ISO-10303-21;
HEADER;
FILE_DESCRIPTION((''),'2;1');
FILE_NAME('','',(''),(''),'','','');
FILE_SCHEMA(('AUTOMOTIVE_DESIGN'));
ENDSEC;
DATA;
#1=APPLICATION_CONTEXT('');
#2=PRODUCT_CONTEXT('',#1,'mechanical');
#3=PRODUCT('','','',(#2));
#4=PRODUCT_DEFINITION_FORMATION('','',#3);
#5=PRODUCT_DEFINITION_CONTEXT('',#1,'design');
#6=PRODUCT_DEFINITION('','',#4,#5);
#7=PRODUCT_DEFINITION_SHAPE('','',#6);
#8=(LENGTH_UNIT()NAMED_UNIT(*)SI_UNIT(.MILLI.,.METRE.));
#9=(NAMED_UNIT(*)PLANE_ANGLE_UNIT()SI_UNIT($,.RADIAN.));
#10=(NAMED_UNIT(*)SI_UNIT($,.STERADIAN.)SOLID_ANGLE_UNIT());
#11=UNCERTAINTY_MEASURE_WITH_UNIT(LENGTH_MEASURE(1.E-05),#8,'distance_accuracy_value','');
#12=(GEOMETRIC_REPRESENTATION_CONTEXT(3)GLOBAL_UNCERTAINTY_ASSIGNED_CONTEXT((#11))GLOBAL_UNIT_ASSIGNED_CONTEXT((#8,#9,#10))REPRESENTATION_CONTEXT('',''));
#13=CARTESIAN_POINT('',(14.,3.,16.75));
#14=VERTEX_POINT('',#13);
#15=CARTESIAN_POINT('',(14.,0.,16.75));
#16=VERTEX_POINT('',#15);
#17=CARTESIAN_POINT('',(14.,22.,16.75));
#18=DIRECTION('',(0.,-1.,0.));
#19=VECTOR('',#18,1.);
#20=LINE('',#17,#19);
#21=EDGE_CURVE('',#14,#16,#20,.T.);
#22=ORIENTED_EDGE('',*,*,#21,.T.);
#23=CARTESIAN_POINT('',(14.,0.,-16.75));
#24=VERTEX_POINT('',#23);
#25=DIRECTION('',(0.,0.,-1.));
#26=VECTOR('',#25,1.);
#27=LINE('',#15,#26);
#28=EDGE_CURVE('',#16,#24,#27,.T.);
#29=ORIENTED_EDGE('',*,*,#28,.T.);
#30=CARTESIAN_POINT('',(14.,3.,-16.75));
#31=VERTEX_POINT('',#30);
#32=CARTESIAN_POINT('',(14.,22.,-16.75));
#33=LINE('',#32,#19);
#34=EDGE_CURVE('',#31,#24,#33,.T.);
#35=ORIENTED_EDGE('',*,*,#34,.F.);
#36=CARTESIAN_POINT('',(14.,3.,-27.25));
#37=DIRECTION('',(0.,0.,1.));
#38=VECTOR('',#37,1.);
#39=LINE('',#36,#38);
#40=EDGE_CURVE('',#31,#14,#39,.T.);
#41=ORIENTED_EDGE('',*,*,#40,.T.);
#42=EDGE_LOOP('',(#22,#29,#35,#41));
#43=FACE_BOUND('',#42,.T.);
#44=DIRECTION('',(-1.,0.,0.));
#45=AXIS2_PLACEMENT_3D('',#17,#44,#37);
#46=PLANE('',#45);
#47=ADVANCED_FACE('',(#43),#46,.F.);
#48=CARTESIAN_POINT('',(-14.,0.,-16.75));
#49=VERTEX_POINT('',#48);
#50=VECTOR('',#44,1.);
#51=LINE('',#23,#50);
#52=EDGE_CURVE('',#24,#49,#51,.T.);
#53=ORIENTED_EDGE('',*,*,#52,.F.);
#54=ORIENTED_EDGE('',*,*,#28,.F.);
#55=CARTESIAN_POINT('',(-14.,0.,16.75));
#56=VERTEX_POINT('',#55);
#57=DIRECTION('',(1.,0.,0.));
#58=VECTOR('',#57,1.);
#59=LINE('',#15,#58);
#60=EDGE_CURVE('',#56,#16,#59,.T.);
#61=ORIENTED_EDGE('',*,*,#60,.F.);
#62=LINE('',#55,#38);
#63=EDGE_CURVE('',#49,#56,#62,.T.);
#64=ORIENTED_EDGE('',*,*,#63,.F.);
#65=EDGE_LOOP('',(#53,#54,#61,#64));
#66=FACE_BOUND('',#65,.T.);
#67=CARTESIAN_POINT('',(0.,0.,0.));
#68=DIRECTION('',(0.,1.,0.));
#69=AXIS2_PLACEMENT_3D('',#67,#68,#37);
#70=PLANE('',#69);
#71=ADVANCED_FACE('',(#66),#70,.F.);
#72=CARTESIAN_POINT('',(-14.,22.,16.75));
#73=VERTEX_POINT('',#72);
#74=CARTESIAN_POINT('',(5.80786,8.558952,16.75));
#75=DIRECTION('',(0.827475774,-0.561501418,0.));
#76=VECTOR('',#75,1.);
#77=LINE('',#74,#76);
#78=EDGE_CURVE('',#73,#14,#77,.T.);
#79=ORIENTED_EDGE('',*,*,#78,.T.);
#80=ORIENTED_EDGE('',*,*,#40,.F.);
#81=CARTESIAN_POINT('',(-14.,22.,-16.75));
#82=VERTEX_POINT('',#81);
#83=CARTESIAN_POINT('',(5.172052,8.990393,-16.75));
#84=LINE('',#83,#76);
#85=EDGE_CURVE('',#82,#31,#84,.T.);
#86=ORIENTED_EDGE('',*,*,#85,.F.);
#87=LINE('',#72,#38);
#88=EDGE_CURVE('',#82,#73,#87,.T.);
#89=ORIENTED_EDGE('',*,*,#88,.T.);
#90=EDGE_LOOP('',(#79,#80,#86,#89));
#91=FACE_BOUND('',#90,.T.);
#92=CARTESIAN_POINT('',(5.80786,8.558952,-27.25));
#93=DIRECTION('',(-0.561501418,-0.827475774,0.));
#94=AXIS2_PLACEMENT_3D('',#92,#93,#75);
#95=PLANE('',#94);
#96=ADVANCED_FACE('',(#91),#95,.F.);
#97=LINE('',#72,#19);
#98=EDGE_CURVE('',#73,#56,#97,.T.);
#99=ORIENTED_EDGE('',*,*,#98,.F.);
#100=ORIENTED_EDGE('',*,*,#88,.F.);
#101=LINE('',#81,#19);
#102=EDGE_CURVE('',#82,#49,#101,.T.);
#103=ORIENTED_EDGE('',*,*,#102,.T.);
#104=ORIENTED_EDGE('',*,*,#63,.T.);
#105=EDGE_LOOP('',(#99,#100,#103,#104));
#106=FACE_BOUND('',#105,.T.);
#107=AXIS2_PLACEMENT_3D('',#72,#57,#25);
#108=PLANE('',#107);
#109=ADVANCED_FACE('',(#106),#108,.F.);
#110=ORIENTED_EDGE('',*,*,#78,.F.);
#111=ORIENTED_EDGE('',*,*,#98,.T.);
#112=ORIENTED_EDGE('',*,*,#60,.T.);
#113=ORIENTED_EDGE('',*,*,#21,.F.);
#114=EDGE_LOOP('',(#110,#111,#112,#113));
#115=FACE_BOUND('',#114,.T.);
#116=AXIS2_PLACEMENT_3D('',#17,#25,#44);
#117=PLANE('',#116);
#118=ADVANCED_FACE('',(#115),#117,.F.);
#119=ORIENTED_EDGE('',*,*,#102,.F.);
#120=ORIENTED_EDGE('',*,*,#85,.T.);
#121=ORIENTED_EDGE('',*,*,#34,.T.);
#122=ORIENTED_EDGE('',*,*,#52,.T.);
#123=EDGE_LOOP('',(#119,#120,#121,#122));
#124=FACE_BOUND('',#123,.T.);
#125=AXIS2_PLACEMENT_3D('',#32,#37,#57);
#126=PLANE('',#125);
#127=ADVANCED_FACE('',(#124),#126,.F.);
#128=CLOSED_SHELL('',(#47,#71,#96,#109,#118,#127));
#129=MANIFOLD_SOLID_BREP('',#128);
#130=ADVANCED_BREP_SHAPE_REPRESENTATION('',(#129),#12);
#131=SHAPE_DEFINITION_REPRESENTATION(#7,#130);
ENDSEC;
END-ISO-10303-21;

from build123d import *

# Parameters (mm, degrees)
SKETCH1_W           = 28
SKETCH1_H           = 33.5
BOSS_EXTRUDE1_DEPTH = 22
CUT_EXTRUDE1_DEPTH  = 44


with BuildPart() as part:
    # Sketch1 → Boss-Extrude1 (new body)
    with BuildSketch(Plane(origin=(0, 0, 0), x_dir=(1, 0, 0), z_dir=(0, 1, 0))):
        Rectangle(SKETCH1_W, SKETCH1_H)
    extrude(amount=BOSS_EXTRUDE1_DEPTH)

    # Sketch3 → Cut-Extrude1 (cut)
    with BuildSketch(Plane.XY.offset(16.75)):
        Polygon((14, 22), (-14, 22), (14, 3), align=None)
    extrude(amount=-CUT_EXTRUDE1_DEPTH, mode=Mode.SUBTRACT)


solid = part.part
